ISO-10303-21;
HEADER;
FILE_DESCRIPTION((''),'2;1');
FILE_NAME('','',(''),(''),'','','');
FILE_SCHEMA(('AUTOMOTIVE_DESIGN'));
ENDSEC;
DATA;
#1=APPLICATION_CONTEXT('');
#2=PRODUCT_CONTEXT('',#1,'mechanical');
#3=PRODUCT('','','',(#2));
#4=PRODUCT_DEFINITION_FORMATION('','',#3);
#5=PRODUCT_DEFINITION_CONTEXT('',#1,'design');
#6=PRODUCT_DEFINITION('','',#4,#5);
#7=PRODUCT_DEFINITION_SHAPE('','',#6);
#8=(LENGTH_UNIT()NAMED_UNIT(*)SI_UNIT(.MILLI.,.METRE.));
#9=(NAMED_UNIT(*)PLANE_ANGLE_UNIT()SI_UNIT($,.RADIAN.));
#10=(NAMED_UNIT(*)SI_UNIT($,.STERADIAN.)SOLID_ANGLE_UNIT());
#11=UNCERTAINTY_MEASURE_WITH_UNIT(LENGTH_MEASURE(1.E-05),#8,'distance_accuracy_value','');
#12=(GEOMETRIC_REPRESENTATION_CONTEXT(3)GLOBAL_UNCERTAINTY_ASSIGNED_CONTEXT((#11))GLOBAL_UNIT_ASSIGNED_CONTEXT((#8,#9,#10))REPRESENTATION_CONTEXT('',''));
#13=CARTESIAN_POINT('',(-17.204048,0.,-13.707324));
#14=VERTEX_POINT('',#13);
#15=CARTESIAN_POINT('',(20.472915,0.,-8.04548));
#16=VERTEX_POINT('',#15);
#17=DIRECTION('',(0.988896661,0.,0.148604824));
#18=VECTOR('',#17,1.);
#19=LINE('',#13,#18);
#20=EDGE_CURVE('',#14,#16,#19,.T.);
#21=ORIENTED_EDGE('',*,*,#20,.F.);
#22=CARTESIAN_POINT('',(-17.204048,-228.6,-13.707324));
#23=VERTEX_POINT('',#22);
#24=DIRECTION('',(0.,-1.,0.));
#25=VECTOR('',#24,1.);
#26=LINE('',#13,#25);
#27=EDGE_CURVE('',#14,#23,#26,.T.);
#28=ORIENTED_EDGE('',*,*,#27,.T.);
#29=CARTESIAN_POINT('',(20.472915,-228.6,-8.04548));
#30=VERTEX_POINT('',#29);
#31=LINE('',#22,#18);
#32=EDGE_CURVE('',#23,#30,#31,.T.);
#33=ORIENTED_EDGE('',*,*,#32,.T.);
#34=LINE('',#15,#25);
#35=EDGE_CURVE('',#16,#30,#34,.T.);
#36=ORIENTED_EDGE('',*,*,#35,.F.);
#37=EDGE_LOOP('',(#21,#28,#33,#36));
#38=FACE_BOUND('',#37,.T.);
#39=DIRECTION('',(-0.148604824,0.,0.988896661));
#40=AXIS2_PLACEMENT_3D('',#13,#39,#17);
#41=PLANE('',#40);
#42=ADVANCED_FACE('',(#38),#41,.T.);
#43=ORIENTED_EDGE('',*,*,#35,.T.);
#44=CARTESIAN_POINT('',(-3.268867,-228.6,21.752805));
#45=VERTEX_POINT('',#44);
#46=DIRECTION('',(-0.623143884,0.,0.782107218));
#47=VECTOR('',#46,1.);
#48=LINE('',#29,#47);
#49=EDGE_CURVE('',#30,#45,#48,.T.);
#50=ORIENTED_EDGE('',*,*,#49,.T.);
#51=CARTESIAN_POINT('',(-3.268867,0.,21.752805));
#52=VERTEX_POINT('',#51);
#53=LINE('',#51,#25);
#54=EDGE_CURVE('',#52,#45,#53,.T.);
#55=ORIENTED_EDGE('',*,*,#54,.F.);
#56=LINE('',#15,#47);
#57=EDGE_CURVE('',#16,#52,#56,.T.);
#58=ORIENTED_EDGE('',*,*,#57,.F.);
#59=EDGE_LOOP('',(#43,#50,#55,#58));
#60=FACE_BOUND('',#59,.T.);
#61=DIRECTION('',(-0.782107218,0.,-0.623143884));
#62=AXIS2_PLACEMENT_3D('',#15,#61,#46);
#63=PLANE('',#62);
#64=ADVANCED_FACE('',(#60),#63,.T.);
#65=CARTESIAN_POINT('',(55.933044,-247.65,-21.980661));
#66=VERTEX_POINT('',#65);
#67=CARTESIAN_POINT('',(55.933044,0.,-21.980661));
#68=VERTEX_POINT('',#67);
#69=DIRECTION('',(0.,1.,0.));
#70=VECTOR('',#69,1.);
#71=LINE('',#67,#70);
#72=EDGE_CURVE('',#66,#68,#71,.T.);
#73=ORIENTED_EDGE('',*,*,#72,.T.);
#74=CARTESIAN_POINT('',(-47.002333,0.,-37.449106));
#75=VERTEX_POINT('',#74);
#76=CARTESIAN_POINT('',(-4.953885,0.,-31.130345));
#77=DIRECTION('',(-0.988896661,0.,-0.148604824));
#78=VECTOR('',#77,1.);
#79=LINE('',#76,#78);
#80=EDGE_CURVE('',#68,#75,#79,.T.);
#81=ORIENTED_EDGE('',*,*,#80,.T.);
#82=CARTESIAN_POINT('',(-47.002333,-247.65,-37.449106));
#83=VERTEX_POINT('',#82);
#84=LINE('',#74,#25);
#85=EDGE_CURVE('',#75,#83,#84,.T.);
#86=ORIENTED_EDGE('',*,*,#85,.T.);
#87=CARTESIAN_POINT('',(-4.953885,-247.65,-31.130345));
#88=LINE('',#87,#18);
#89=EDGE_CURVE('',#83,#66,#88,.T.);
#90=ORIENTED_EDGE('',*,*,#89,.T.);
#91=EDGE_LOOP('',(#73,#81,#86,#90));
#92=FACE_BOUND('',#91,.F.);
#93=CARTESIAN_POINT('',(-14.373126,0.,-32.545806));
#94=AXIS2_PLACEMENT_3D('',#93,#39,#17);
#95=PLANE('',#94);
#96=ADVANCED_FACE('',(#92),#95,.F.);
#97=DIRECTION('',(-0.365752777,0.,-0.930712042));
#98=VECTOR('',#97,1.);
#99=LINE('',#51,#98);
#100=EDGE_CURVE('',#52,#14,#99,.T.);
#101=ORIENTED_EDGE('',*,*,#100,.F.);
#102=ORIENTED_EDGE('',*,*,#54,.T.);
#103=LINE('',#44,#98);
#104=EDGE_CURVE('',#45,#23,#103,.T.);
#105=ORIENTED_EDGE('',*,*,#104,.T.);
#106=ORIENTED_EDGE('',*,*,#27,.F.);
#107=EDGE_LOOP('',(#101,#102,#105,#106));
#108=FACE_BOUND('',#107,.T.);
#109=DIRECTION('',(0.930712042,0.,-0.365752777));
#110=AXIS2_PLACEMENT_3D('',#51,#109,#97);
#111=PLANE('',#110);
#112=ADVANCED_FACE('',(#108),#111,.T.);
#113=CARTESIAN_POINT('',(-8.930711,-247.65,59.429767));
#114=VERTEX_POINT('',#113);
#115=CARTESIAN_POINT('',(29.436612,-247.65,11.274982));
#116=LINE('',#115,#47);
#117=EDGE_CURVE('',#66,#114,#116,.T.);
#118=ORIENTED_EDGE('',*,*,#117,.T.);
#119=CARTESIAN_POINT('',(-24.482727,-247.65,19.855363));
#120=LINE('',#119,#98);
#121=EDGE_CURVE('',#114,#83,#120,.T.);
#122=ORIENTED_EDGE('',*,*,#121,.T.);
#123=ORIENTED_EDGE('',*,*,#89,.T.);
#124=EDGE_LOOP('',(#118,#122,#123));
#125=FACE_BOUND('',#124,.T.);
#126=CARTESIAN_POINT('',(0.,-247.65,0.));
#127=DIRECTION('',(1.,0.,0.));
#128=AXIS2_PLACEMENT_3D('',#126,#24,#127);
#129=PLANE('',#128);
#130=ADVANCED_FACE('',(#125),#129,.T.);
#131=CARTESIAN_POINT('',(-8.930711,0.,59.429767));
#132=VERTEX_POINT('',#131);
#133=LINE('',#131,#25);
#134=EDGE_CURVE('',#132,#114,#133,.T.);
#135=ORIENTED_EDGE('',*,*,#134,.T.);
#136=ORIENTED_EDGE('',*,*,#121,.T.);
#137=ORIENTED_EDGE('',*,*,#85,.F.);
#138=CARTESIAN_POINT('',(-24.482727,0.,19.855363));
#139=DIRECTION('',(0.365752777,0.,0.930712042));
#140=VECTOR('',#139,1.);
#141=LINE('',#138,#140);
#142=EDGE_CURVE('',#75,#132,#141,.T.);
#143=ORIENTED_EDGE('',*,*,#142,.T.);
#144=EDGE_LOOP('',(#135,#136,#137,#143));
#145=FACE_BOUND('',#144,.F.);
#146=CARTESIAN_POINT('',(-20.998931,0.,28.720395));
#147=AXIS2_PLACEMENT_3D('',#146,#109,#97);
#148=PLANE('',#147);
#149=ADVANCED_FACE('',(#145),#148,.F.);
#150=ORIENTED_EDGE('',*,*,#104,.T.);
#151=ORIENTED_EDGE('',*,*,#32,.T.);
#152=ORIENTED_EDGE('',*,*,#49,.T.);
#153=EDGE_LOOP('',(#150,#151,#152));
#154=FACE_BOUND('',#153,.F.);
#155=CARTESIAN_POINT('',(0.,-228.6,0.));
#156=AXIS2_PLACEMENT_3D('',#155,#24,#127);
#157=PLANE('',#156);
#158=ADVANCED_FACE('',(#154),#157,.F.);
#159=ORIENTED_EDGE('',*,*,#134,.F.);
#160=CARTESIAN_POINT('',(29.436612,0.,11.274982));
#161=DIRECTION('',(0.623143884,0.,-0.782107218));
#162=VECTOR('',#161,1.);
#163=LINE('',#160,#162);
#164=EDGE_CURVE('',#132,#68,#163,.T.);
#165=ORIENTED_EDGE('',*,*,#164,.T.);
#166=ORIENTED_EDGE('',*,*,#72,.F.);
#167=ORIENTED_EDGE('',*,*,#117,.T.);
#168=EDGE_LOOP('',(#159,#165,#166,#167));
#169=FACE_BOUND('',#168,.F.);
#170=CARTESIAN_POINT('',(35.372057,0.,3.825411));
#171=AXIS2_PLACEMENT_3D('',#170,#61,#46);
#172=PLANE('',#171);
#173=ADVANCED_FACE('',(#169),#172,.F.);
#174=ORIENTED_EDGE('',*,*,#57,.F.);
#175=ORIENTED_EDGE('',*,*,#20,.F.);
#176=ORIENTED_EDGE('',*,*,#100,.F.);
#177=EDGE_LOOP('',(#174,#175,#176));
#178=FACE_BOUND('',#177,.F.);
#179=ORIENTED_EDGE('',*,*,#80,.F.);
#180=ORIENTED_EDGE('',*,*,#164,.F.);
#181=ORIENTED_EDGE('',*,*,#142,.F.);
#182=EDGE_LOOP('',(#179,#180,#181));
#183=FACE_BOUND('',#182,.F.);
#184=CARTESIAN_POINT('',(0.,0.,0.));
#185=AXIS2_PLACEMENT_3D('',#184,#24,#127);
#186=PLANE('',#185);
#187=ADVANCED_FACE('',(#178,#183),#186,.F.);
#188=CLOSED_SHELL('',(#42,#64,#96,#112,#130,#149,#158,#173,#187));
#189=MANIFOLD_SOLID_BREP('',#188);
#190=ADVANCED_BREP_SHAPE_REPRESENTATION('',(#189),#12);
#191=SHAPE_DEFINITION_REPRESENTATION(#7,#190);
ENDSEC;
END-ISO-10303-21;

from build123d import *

# Parameters (mm, degrees)
F1_DEPTH = 228.6
F2_T     = 19.05


with BuildPart() as f1:
    # F0 (on Front) → F1 (new body)
    with BuildSketch(Plane.XZ):
        Polygon((20.4729149157, -8.0454803992), (-3.2688670465, 21.7528046061), (-17.2040478692, -13.7073242069), align=None)
    extrude(amount=F1_DEPTH)

    # F2
    f2_openings = [f1.faces().sort_by_distance(p)[0] for p in [
        (0, 0, 0),
    ]]
    offset(amount=F2_T, openings=f2_openings, kind=Kind.INTERSECTION)


solid = f1.part
